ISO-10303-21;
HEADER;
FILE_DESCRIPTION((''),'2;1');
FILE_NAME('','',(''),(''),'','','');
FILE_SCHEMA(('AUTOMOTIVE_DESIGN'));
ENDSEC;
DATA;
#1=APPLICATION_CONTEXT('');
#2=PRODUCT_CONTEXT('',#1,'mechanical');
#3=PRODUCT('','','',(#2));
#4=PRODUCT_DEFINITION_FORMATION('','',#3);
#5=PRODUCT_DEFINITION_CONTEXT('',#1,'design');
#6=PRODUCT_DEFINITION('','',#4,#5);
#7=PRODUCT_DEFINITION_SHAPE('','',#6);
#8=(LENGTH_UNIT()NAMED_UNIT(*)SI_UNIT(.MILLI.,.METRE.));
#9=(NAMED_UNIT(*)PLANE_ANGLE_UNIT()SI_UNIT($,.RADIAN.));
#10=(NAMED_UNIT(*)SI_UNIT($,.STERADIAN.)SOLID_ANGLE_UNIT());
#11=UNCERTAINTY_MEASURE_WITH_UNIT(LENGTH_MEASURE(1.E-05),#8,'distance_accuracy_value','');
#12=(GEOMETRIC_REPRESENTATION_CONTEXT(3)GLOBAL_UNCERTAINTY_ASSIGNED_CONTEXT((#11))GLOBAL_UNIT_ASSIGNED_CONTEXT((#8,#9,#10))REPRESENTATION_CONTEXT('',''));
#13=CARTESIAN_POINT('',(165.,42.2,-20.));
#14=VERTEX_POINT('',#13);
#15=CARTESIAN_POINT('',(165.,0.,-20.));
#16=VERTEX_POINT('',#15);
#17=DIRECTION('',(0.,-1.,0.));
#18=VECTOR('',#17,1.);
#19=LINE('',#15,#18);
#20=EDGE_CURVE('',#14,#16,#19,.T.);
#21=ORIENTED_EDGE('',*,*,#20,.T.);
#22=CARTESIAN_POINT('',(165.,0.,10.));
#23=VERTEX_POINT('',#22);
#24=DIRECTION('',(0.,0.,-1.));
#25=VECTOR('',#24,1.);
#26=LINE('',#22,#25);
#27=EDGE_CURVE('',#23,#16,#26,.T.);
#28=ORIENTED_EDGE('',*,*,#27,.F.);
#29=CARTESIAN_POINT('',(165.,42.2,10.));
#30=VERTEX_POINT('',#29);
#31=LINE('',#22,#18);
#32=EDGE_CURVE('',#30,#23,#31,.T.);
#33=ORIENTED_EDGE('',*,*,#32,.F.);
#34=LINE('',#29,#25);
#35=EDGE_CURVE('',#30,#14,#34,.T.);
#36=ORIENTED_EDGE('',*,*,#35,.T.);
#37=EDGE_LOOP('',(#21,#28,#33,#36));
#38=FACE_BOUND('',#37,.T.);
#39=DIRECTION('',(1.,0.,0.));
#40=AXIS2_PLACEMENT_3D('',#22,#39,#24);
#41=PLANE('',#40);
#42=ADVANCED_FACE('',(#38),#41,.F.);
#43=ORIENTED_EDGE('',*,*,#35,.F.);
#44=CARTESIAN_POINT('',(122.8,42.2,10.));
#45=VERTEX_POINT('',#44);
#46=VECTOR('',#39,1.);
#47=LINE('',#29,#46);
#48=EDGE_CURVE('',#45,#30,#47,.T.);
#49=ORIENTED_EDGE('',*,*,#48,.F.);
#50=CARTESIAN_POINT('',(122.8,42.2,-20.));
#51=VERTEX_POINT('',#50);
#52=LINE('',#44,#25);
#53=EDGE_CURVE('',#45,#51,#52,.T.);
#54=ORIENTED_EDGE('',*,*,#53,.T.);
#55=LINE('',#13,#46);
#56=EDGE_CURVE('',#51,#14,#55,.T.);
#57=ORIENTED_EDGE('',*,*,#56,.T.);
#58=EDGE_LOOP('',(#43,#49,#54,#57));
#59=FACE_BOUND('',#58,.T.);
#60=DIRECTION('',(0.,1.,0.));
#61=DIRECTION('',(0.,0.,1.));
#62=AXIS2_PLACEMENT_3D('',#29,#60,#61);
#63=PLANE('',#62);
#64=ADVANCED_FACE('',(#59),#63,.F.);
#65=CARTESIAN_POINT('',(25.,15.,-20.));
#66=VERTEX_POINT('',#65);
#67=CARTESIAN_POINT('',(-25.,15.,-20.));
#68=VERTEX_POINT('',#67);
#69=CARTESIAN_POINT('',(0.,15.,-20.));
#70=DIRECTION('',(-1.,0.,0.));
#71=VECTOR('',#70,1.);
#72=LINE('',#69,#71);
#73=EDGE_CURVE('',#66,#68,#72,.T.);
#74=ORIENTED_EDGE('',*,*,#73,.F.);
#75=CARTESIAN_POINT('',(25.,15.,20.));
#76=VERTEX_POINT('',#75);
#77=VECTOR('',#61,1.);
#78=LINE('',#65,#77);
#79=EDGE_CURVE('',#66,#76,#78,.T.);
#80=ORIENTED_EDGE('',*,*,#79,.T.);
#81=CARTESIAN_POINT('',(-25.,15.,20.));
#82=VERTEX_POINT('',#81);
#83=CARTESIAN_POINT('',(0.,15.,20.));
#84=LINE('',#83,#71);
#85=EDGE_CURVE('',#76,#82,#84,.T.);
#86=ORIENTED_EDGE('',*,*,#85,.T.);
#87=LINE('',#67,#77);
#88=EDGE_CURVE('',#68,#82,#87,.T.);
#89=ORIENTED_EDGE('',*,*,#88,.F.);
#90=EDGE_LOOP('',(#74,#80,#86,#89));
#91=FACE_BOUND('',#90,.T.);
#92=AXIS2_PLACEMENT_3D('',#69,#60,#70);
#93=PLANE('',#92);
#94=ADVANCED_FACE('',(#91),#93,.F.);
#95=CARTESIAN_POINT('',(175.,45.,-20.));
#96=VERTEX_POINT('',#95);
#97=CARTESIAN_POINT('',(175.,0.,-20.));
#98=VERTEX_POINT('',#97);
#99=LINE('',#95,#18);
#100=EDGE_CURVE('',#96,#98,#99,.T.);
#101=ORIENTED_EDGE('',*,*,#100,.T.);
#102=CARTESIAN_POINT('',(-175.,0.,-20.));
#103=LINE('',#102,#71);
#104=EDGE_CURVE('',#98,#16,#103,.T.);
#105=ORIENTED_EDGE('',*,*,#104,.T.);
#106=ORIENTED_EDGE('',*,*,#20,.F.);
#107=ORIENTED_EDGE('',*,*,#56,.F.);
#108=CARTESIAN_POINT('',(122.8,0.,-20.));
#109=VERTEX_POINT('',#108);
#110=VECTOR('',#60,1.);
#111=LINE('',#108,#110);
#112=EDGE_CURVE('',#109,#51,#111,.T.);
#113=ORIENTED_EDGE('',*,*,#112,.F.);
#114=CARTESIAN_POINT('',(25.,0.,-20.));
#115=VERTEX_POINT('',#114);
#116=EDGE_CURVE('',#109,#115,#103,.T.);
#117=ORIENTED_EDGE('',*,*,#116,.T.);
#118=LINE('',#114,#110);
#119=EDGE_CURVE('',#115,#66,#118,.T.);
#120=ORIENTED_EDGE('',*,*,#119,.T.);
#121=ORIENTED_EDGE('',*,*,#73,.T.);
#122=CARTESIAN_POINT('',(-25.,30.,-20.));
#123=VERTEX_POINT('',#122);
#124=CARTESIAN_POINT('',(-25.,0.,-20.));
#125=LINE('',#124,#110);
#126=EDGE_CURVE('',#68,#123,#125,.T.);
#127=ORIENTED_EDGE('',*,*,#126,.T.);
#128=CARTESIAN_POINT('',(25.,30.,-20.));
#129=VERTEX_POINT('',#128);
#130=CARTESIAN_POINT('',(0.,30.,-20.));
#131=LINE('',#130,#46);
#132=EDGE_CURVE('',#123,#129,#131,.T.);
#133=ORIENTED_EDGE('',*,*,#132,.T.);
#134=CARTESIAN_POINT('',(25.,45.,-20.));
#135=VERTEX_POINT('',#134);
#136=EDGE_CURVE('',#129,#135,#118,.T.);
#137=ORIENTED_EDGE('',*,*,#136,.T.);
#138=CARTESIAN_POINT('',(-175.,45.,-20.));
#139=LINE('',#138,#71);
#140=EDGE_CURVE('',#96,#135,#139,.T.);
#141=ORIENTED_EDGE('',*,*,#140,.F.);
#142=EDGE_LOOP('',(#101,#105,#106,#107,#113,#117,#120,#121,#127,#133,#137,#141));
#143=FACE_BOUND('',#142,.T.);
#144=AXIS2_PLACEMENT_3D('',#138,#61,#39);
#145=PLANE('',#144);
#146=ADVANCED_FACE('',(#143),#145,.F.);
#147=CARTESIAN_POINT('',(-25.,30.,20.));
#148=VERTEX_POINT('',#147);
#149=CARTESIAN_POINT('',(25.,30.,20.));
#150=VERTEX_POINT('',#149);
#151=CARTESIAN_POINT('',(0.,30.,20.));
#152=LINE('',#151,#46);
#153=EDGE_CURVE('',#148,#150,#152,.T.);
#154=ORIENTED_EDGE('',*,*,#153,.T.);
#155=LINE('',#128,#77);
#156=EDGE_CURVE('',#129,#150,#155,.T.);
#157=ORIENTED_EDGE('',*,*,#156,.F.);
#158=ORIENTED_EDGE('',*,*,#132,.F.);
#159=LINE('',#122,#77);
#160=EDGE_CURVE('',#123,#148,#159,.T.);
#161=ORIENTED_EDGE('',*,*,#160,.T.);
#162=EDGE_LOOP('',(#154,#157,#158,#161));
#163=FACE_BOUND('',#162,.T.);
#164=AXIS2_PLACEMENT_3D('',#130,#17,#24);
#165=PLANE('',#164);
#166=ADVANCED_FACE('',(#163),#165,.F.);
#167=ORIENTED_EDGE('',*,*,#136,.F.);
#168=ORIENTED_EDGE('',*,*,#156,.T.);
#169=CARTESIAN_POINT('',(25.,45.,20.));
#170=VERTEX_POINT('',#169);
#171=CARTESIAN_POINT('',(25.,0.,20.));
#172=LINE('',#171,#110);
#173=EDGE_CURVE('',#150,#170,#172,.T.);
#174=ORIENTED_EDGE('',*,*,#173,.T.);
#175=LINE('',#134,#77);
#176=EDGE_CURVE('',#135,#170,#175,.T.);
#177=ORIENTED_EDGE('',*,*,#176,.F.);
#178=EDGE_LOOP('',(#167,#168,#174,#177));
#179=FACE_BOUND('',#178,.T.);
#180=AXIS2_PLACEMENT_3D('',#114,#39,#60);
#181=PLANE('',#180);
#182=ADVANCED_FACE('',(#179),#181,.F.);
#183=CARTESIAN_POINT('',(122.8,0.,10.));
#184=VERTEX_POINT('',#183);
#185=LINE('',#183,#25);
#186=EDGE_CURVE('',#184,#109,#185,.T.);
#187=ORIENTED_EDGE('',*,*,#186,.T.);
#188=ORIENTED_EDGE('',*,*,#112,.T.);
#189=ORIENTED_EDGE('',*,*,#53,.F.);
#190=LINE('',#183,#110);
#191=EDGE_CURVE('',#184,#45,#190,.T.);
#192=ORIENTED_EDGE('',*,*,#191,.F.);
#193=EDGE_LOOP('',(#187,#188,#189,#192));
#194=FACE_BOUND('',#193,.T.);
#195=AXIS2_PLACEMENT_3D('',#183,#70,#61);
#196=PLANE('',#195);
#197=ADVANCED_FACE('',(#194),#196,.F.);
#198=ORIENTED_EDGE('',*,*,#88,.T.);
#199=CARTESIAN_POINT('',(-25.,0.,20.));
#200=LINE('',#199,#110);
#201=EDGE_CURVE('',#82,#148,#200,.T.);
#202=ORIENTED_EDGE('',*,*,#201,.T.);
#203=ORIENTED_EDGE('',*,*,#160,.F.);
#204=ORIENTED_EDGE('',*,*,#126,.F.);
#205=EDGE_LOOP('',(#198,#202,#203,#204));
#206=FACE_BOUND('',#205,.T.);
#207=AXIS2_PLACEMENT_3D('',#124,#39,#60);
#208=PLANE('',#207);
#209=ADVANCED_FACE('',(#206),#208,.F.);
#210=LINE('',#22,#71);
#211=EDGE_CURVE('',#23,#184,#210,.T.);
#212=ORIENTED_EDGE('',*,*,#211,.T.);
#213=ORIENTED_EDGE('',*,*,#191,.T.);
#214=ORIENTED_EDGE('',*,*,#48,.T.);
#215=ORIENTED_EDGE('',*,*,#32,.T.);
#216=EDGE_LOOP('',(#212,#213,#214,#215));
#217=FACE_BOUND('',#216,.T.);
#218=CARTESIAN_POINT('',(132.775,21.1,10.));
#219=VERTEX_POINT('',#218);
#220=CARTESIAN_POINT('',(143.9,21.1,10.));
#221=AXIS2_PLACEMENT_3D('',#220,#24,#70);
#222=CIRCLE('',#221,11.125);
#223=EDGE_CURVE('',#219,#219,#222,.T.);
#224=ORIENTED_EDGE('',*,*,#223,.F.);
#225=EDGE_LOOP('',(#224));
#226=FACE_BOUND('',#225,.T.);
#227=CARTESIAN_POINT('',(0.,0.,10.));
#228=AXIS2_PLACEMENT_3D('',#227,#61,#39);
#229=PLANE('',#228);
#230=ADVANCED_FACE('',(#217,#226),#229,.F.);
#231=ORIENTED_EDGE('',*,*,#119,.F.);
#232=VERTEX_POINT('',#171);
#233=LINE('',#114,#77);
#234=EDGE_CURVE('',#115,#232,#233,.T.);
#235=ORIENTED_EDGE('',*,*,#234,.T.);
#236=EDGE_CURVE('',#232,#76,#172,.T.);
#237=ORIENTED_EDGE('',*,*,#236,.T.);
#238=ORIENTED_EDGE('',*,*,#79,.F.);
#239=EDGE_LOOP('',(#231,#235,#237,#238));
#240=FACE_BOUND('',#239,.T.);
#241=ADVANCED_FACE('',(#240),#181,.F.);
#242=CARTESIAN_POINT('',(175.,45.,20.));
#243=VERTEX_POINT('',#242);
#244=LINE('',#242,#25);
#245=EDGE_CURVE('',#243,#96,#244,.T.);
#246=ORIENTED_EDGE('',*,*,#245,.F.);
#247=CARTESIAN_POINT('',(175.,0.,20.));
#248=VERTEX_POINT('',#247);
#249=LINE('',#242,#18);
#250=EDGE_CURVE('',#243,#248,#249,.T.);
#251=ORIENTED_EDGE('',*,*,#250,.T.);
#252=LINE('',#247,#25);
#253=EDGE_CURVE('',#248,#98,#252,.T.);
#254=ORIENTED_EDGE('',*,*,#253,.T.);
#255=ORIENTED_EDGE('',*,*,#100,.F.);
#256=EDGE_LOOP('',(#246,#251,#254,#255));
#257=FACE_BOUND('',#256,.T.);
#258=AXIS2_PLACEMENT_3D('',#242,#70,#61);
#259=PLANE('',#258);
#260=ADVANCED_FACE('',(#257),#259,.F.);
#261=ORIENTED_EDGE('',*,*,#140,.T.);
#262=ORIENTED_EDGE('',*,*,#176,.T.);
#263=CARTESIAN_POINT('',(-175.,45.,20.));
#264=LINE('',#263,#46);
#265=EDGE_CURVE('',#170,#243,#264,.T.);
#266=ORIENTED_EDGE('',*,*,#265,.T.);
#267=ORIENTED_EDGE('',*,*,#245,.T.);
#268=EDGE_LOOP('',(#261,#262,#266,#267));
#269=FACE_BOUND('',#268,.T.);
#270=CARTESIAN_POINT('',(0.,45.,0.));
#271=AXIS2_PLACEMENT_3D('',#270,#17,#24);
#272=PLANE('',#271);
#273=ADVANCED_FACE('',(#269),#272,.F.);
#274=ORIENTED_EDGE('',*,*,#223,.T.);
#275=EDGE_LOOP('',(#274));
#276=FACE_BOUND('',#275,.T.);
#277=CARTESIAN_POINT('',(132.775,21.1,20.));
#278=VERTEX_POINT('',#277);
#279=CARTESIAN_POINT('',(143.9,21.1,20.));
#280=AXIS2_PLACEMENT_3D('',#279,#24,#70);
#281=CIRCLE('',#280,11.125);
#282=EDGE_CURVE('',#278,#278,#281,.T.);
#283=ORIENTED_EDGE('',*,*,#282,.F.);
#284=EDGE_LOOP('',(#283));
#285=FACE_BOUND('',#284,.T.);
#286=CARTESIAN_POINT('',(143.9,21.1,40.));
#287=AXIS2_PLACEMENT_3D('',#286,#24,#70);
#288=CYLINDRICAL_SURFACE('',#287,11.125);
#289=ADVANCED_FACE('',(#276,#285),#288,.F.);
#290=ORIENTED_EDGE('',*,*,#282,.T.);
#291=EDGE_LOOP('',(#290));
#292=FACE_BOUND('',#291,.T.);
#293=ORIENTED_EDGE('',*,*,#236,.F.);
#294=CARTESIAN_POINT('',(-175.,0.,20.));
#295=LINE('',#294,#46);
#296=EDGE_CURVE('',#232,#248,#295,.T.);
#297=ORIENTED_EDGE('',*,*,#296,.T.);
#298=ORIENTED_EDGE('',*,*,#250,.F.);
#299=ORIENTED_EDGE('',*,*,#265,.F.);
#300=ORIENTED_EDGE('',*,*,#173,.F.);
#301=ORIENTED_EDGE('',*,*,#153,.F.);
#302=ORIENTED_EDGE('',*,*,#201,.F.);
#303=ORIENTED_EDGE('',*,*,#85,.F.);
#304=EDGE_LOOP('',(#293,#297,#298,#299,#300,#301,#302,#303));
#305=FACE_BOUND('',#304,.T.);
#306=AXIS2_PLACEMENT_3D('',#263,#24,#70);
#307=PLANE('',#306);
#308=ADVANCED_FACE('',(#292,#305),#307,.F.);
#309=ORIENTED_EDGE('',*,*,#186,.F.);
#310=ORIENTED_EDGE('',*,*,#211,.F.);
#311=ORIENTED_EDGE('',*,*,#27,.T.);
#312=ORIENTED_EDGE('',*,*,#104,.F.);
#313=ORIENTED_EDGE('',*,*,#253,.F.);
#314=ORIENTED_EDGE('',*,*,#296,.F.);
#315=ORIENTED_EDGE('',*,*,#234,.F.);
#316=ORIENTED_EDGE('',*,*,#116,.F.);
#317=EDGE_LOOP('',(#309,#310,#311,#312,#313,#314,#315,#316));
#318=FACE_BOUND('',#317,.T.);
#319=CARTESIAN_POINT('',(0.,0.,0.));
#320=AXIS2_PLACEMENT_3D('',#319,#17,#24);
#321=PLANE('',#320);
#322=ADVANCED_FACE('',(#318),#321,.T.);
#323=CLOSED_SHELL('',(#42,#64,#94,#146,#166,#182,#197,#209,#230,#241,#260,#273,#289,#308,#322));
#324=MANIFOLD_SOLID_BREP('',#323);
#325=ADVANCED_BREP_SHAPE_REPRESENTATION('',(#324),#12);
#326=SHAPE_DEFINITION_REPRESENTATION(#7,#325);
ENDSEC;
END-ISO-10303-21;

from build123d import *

# Parameters (mm, degrees)
CROQUIS1_W              = 350
CROQUIS1_H              = 40
SALIENTE_EXTRUIR1_DEPTH = 45
CROQUIS2_W              = 42.2
CROQUIS2_H              = 42.2
CORTAR_EXTRUIR1_DEPTH   = 30
CROQUIS3_R              = 11.125
CORTAR_EXTRUIR2_DEPTH   = 30
CROQUIS4_R              = 11.125
CORTAR_EXTRUIR4_DEPTH   = 186.067555233


with BuildPart() as part:
    # Croquis1 → Saliente-Extruir1 (new body)
    with BuildSketch(Plane(origin=(0, 0, 0), x_dir=(1, 0, 0), z_dir=(0, 1, 0))):
        Rectangle(CROQUIS1_W, CROQUIS1_H)
    extrude(amount=SALIENTE_EXTRUIR1_DEPTH)

    # Croquis2 → Cortar-Extruir1 (cut)
    with BuildSketch(Plane(origin=(0, 0, -20), x_dir=(-1, 0, 0), z_dir=(0, 0, -1))):
        with Locations((-143.9, 21.1)):
            Rectangle(CROQUIS2_W, CROQUIS2_H)
    cortar_extruir1 = extrude(amount=-CORTAR_EXTRUIR1_DEPTH, mode=Mode.SUBTRACT)

    # Croquis3 → Cortar-Extruir2 (cut)
    with BuildSketch(Plane(origin=(0, 0, 10), x_dir=(-1, 0, 0), z_dir=(0, 0, -1))):
        with Locations((-143.9, 21.1)):
            Circle(CROQUIS3_R)
    cortar_extruir2 = extrude(amount=-CORTAR_EXTRUIR2_DEPTH, mode=Mode.SUBTRACT)

    # Simetría1: Cortar-Extruir1, Cortar-Extruir2 across plane
    add(cortar_extruir1.mirror(Plane(origin=(0, 0, 0), x_dir=(0, 0, 1), z_dir=(1, 0, 0))), mode=Mode.SUBTRACT)
    add(cortar_extruir2.mirror(Plane(origin=(0, 0, 0), x_dir=(0, 0, 1), z_dir=(1, 0, 0))), mode=Mode.SUBTRACT)

    # Croquis4 → Cortar-Extruir4 (cut, through all)
    with BuildSketch(Plane.XY.offset(20)):
        Polygon((-175, 0), (25, 0), (25, 15), (-25, 15), (-25, 30), (25, 30), (25, 45), (-175, 45), align=None)
        with Locations((-143.9, 21.1)):
            Circle(CROQUIS4_R, mode=Mode.SUBTRACT)
    extrude(amount=-CORTAR_EXTRUIR4_DEPTH, mode=Mode.SUBTRACT)


solid = part.part
